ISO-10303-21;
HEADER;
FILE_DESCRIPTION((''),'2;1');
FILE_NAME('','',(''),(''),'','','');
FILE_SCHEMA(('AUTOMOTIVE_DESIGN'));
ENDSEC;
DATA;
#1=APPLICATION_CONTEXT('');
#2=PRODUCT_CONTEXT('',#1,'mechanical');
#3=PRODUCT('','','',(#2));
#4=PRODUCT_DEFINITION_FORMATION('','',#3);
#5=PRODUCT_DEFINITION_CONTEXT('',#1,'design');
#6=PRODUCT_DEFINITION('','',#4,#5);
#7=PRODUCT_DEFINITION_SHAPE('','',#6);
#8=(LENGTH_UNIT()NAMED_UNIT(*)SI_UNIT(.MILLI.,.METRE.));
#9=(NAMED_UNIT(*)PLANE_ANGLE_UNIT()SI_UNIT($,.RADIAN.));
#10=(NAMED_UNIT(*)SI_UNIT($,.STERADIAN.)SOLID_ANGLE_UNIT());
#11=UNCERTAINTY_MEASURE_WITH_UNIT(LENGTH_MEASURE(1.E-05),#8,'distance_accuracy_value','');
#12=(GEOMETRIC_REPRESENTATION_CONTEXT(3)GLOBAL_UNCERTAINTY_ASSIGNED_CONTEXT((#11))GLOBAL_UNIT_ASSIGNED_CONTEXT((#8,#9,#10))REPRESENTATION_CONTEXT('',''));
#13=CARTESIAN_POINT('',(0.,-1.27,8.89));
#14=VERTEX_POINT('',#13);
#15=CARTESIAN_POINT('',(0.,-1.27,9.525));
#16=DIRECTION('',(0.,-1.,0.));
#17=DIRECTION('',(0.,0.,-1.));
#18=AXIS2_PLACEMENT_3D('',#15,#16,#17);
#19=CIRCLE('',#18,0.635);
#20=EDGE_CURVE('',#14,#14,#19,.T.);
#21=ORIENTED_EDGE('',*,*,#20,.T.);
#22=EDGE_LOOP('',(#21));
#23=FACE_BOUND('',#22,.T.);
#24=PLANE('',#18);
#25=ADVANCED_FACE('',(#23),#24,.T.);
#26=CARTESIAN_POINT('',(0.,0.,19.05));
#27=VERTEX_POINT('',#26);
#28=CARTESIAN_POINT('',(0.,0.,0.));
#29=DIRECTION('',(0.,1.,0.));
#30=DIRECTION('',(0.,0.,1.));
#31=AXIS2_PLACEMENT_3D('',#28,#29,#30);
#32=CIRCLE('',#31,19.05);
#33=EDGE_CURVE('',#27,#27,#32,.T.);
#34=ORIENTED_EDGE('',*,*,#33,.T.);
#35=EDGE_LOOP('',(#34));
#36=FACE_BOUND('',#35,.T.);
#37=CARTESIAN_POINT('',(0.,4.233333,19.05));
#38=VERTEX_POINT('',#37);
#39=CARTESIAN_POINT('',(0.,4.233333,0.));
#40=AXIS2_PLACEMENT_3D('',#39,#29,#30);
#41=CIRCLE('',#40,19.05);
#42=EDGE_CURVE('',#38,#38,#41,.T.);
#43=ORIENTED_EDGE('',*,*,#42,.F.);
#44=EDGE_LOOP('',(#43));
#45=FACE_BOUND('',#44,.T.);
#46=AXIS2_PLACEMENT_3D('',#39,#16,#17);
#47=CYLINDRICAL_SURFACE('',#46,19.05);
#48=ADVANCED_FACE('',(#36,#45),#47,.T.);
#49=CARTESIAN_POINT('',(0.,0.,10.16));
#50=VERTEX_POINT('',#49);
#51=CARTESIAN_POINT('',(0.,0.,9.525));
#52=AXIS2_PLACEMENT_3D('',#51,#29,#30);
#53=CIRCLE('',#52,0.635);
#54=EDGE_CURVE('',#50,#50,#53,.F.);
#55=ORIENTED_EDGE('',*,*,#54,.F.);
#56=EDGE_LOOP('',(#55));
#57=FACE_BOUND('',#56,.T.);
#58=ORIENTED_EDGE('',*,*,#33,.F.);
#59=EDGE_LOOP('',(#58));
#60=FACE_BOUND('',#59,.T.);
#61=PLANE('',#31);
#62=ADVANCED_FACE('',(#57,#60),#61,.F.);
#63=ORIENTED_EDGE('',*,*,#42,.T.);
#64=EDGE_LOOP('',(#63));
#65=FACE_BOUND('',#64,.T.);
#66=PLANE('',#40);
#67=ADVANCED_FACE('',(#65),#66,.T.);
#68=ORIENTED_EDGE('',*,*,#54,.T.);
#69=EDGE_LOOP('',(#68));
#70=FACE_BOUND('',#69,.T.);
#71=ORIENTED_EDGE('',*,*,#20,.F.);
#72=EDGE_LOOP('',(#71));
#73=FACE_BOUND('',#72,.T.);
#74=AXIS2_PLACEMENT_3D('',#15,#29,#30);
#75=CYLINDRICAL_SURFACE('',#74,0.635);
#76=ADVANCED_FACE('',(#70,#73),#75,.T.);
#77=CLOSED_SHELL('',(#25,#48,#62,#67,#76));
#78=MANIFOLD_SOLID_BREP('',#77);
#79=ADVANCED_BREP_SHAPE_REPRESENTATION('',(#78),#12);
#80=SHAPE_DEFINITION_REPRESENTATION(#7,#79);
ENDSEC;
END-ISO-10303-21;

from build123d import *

# Parameters (mm, degrees)
SKETCH1_R           = 19.05
BOSS_EXTRUDE1_DEPTH = 4.233333333
SKETCH4_R           = 0.635
BOSS_EXTRUDE2_DEPTH = 1.27


with BuildPart() as part:
    # Sketch1 → Boss-Extrude1 (new body)
    with BuildSketch(Plane(origin=(0, 0, 0), x_dir=(1, 0, 0), z_dir=(0, 1, 0))):
        with Locations(Location((0, 0, 0), (0, 0, 270))):
            Circle(SKETCH1_R)
    extrude(amount=BOSS_EXTRUDE1_DEPTH)

    # Sketch4 → Boss-Extrude2 (add)
    with BuildSketch(Plane.XZ):
        with Locations(Location((0, 9.525, 0), (0, 0, 90))):
            Circle(SKETCH4_R)
    extrude(amount=BOSS_EXTRUDE2_DEPTH)


solid = part.part
